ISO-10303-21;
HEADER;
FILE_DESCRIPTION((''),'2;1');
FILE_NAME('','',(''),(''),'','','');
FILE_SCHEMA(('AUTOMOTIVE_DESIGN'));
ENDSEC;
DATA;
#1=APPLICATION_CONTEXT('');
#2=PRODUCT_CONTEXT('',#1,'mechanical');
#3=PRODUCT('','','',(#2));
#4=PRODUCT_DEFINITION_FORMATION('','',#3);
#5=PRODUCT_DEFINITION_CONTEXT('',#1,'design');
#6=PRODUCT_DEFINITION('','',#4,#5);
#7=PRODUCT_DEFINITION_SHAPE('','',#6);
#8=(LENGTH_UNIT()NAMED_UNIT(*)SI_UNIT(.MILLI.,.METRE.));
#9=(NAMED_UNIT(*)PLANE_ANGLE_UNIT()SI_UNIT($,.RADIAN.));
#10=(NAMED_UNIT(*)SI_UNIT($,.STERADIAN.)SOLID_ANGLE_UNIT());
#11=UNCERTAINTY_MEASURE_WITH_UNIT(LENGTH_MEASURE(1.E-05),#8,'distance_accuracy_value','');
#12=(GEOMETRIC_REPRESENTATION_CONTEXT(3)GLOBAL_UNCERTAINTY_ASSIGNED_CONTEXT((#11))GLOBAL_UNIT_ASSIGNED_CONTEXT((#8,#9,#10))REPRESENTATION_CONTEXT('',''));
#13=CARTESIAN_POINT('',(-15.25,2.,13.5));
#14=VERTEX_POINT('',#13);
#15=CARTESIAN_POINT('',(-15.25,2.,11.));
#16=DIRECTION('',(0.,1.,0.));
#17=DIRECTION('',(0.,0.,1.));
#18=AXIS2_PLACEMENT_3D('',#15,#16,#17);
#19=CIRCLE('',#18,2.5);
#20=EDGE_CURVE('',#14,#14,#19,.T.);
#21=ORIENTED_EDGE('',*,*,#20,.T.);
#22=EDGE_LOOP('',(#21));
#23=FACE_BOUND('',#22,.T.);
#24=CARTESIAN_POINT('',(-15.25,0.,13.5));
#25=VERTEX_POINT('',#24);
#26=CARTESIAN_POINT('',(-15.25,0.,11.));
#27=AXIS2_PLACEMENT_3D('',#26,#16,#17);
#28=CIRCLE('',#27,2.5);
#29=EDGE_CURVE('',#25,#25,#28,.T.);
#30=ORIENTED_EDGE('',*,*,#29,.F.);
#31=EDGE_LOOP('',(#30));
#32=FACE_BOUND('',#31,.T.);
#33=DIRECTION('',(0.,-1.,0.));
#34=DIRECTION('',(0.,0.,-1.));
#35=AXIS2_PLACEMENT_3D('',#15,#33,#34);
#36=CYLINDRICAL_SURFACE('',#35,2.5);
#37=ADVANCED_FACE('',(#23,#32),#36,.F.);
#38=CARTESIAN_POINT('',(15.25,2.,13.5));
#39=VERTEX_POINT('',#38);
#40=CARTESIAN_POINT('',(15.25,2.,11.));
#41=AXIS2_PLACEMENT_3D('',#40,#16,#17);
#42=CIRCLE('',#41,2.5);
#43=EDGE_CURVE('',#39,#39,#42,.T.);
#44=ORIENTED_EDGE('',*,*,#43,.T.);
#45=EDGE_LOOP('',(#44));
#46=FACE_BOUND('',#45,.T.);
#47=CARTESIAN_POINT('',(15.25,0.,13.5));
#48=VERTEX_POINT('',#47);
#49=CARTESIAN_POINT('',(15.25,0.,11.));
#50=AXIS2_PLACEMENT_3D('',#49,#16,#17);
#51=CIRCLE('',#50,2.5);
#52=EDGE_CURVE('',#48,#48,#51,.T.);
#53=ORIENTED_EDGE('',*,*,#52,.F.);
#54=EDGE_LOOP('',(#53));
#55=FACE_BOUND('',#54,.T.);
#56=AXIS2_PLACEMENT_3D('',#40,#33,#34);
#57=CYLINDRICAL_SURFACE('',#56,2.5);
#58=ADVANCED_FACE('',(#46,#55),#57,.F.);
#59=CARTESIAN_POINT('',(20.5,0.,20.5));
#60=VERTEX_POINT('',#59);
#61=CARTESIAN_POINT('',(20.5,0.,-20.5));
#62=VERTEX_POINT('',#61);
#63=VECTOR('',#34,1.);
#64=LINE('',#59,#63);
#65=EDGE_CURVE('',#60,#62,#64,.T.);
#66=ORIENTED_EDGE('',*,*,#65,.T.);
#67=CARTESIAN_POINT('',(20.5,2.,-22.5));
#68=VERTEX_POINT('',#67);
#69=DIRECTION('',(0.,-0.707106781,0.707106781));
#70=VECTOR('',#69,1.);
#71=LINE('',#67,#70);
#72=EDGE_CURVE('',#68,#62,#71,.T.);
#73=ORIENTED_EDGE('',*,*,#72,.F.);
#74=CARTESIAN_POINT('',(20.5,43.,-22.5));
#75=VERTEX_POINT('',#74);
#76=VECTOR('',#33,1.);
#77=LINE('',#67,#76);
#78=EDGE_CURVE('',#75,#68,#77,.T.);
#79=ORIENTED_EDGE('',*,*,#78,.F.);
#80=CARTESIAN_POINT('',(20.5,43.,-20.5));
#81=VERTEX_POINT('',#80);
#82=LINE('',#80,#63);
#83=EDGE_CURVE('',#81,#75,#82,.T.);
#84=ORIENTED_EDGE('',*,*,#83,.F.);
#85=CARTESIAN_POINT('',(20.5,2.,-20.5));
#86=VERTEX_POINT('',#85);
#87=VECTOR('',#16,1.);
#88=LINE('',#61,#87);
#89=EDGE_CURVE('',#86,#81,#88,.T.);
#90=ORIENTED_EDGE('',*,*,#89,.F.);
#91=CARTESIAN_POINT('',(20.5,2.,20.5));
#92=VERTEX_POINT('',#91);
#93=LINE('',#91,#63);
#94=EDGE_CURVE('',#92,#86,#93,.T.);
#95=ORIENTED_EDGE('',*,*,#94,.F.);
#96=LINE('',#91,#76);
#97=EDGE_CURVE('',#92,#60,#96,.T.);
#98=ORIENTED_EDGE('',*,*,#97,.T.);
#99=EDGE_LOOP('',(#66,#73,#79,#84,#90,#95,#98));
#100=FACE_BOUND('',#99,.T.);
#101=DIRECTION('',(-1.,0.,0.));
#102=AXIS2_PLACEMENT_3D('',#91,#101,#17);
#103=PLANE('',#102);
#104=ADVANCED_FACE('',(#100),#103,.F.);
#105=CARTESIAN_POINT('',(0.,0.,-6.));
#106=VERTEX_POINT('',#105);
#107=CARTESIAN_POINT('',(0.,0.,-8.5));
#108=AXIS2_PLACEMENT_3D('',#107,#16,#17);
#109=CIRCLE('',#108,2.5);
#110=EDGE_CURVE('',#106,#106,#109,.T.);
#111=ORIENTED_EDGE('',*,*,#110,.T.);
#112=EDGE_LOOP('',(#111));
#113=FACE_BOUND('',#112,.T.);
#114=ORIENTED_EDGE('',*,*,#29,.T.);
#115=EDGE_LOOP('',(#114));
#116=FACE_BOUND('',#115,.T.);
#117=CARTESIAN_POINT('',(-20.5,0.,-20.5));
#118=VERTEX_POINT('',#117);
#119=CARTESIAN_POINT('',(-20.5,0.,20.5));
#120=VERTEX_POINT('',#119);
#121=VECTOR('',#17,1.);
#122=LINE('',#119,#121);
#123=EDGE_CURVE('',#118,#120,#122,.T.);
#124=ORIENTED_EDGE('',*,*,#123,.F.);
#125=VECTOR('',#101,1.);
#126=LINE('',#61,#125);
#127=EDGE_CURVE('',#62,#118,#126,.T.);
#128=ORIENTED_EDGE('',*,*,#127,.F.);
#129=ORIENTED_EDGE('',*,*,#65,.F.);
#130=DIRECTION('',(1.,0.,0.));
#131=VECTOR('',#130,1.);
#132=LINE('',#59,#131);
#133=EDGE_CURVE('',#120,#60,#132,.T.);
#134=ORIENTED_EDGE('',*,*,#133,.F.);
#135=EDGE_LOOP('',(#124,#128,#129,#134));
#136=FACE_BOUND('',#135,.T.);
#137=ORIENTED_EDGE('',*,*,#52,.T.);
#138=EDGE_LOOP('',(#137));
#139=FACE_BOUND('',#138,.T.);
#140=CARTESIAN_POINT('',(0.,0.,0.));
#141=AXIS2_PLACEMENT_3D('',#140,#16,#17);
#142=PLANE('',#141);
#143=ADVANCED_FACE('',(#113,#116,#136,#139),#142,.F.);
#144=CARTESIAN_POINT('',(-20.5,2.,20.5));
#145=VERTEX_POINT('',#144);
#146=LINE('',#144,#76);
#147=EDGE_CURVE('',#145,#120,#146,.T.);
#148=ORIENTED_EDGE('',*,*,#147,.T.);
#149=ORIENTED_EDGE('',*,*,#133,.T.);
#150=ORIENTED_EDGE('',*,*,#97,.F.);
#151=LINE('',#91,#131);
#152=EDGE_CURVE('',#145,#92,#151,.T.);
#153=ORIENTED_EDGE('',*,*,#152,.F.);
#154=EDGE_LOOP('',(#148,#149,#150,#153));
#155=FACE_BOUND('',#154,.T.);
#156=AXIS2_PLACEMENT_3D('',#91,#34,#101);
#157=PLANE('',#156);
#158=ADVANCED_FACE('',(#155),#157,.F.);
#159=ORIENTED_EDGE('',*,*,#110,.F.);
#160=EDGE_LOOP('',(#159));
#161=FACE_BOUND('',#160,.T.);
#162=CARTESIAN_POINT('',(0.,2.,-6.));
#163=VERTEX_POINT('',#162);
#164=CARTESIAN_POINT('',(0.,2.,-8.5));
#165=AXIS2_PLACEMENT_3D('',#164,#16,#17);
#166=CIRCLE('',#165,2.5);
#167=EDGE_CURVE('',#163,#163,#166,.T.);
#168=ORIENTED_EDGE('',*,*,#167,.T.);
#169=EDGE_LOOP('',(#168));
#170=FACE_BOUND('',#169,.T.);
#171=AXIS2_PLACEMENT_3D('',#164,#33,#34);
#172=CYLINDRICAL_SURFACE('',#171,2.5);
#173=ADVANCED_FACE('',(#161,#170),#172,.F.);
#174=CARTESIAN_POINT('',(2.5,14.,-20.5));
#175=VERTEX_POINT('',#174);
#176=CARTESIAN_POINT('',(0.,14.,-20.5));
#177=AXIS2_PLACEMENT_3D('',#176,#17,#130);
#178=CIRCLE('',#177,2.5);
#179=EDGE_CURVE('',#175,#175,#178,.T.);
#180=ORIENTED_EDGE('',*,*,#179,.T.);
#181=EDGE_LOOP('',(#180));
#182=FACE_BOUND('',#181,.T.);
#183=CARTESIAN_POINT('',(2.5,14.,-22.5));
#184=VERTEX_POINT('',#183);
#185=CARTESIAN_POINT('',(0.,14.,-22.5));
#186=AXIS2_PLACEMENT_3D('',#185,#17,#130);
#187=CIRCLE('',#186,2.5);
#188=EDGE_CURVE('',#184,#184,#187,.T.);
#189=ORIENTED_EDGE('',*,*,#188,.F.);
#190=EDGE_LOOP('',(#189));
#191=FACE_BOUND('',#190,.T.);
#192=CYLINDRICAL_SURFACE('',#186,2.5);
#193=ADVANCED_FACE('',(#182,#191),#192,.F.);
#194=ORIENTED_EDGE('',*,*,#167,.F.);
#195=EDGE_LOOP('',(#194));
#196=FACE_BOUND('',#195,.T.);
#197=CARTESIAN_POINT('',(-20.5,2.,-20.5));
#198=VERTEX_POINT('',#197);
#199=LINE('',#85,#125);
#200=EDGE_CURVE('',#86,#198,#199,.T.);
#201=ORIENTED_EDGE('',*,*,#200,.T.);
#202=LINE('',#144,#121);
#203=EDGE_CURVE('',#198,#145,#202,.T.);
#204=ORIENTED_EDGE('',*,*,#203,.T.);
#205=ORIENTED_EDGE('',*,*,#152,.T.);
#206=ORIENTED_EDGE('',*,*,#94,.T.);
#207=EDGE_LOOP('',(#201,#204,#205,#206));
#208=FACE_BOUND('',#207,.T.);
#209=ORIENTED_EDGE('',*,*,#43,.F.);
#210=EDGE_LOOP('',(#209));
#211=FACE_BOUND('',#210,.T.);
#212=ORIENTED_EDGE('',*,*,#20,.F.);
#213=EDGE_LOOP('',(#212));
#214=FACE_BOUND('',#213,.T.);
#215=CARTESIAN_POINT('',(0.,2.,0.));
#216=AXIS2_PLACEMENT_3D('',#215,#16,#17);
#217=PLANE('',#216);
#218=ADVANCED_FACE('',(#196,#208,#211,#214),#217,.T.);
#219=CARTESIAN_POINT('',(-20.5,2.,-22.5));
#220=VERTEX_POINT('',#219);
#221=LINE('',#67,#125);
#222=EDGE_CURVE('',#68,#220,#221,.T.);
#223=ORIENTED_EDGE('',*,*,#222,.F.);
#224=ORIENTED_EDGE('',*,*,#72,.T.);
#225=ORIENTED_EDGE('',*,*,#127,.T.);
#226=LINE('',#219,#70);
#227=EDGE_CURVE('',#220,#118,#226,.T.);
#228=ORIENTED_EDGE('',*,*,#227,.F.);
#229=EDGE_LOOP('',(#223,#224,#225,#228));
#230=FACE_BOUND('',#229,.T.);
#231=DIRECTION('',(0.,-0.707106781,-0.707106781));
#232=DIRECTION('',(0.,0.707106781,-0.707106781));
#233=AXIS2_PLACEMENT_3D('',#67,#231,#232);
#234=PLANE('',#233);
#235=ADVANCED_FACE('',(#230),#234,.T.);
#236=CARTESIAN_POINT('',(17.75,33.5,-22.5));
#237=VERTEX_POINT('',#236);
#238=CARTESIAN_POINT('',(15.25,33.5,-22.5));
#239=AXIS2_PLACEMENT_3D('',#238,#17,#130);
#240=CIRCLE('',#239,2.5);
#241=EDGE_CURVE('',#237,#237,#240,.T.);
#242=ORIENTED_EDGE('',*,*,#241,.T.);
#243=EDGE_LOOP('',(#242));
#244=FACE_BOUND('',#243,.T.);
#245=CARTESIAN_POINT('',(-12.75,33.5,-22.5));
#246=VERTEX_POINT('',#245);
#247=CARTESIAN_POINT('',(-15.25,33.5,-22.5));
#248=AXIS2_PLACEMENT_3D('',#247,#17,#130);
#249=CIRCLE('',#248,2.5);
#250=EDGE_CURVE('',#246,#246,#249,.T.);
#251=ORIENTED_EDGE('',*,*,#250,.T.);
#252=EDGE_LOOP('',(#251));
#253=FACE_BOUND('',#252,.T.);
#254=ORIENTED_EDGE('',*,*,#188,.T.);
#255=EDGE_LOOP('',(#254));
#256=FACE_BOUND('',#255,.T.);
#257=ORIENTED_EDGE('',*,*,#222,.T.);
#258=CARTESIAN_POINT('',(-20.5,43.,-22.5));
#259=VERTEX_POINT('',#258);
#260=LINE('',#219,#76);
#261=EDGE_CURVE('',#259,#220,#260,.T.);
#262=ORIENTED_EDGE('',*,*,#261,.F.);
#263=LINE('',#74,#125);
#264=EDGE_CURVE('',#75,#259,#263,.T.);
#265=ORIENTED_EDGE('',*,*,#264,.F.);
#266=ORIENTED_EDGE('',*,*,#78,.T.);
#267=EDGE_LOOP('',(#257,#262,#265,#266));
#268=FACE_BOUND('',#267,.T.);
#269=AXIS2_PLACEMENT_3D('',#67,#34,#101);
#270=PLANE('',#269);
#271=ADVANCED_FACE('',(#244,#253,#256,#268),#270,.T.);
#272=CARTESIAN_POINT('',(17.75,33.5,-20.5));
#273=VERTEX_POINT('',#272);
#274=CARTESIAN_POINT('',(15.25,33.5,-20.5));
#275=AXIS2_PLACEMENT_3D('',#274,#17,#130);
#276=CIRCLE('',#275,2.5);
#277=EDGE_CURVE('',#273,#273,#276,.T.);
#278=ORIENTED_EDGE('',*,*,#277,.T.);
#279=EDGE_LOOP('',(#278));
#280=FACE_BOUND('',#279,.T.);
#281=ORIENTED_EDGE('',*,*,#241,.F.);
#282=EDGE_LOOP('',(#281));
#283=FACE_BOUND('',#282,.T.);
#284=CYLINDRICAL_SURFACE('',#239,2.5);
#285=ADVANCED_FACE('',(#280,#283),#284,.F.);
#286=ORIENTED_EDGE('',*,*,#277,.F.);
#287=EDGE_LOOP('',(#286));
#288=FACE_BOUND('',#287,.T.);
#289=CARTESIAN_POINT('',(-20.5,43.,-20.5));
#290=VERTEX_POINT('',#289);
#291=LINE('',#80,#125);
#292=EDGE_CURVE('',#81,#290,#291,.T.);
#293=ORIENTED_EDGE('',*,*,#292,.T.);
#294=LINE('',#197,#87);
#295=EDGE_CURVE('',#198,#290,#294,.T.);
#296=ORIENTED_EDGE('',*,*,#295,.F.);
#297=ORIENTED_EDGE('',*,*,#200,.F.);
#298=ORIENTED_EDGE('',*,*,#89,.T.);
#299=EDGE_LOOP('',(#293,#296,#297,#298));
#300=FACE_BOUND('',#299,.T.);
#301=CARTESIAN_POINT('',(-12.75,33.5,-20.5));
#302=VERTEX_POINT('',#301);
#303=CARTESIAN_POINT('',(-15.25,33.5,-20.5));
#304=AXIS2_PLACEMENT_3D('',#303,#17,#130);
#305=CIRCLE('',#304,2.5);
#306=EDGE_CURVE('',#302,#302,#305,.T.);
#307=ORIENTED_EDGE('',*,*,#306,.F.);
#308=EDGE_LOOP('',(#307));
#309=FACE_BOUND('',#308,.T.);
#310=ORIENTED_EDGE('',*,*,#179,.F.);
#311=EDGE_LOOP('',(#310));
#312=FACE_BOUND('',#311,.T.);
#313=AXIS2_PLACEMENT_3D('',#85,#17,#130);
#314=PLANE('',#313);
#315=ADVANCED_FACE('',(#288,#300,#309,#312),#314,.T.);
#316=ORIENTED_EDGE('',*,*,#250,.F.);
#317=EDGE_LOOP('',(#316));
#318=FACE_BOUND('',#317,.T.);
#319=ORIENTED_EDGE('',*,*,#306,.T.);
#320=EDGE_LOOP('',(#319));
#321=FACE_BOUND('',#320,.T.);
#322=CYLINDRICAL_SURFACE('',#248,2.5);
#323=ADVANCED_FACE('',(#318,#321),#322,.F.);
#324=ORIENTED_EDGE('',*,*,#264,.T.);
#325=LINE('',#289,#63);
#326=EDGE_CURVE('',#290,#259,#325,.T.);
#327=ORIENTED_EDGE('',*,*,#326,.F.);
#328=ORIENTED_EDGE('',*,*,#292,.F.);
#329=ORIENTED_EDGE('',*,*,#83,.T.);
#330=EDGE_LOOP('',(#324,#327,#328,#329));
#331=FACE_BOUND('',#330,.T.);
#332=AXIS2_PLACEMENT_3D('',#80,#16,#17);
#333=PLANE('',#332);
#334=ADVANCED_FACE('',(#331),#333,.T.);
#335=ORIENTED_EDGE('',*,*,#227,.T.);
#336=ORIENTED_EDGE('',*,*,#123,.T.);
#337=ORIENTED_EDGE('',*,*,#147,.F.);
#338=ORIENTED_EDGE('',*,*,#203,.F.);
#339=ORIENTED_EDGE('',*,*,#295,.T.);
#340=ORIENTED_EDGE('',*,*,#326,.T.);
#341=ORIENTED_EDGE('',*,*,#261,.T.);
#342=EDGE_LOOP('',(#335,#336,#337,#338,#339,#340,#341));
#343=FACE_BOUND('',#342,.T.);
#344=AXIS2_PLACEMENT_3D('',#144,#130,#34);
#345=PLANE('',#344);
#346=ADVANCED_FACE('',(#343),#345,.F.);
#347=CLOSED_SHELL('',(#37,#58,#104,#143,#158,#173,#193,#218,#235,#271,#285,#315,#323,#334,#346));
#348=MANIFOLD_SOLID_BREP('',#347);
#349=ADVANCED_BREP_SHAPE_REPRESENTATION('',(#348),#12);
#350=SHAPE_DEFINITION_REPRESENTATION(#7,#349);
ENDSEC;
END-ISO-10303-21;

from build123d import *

# Parameters (mm, degrees)
SKETCH_1_W          = 41
SKETCH_1_H          = 41
SKETCH_1_R          = 2.5
EXTRUDE_1_DEPTH     = 2
EXTRUDE_2_DEPTH     = 41
SKETCH_3_R          = 2.5
CUT_EXTRUDE_1_DEPTH = 3


with BuildPart() as part:
    # 草图1 → 凸台-拉伸1 (new body)
    with BuildSketch(Plane(origin=(0, 0, 0), x_dir=(1, 0, 0), z_dir=(0, 1, 0))):
        Rectangle(SKETCH_1_W, SKETCH_1_H)
        with Locations((-15.25, -11)):
            Circle(SKETCH_1_R, mode=Mode.SUBTRACT)
        with Locations((15.25, -11)):
            Circle(SKETCH_1_R, mode=Mode.SUBTRACT)
        with Locations((0, 8.5)):
            Circle(SKETCH_1_R, mode=Mode.SUBTRACT)
    extrude(amount=EXTRUDE_1_DEPTH)

    # 草图2 → 凸台-拉伸2 (add)
    with BuildSketch(Plane.ZY.offset(20.5)):
        Polygon((-22.5, 2), (-20.5, 0), (-20.5, 2), (-20.5, 43), (-22.5, 43), align=None)
    extrude(amount=-EXTRUDE_2_DEPTH)

    # 草图3 → 切除-拉伸1 (cut, through all)
    with BuildSketch(Plane.XY.offset(-20.5)):
        with Locations((-15.25, 33.5)):
            Circle(SKETCH_3_R)
        with Locations((15.25, 33.5)):
            Circle(SKETCH_3_R)
        with Locations((0, 14)):
            Circle(SKETCH_3_R)
    extrude(amount=-CUT_EXTRUDE_1_DEPTH, mode=Mode.SUBTRACT)


solid = part.part
